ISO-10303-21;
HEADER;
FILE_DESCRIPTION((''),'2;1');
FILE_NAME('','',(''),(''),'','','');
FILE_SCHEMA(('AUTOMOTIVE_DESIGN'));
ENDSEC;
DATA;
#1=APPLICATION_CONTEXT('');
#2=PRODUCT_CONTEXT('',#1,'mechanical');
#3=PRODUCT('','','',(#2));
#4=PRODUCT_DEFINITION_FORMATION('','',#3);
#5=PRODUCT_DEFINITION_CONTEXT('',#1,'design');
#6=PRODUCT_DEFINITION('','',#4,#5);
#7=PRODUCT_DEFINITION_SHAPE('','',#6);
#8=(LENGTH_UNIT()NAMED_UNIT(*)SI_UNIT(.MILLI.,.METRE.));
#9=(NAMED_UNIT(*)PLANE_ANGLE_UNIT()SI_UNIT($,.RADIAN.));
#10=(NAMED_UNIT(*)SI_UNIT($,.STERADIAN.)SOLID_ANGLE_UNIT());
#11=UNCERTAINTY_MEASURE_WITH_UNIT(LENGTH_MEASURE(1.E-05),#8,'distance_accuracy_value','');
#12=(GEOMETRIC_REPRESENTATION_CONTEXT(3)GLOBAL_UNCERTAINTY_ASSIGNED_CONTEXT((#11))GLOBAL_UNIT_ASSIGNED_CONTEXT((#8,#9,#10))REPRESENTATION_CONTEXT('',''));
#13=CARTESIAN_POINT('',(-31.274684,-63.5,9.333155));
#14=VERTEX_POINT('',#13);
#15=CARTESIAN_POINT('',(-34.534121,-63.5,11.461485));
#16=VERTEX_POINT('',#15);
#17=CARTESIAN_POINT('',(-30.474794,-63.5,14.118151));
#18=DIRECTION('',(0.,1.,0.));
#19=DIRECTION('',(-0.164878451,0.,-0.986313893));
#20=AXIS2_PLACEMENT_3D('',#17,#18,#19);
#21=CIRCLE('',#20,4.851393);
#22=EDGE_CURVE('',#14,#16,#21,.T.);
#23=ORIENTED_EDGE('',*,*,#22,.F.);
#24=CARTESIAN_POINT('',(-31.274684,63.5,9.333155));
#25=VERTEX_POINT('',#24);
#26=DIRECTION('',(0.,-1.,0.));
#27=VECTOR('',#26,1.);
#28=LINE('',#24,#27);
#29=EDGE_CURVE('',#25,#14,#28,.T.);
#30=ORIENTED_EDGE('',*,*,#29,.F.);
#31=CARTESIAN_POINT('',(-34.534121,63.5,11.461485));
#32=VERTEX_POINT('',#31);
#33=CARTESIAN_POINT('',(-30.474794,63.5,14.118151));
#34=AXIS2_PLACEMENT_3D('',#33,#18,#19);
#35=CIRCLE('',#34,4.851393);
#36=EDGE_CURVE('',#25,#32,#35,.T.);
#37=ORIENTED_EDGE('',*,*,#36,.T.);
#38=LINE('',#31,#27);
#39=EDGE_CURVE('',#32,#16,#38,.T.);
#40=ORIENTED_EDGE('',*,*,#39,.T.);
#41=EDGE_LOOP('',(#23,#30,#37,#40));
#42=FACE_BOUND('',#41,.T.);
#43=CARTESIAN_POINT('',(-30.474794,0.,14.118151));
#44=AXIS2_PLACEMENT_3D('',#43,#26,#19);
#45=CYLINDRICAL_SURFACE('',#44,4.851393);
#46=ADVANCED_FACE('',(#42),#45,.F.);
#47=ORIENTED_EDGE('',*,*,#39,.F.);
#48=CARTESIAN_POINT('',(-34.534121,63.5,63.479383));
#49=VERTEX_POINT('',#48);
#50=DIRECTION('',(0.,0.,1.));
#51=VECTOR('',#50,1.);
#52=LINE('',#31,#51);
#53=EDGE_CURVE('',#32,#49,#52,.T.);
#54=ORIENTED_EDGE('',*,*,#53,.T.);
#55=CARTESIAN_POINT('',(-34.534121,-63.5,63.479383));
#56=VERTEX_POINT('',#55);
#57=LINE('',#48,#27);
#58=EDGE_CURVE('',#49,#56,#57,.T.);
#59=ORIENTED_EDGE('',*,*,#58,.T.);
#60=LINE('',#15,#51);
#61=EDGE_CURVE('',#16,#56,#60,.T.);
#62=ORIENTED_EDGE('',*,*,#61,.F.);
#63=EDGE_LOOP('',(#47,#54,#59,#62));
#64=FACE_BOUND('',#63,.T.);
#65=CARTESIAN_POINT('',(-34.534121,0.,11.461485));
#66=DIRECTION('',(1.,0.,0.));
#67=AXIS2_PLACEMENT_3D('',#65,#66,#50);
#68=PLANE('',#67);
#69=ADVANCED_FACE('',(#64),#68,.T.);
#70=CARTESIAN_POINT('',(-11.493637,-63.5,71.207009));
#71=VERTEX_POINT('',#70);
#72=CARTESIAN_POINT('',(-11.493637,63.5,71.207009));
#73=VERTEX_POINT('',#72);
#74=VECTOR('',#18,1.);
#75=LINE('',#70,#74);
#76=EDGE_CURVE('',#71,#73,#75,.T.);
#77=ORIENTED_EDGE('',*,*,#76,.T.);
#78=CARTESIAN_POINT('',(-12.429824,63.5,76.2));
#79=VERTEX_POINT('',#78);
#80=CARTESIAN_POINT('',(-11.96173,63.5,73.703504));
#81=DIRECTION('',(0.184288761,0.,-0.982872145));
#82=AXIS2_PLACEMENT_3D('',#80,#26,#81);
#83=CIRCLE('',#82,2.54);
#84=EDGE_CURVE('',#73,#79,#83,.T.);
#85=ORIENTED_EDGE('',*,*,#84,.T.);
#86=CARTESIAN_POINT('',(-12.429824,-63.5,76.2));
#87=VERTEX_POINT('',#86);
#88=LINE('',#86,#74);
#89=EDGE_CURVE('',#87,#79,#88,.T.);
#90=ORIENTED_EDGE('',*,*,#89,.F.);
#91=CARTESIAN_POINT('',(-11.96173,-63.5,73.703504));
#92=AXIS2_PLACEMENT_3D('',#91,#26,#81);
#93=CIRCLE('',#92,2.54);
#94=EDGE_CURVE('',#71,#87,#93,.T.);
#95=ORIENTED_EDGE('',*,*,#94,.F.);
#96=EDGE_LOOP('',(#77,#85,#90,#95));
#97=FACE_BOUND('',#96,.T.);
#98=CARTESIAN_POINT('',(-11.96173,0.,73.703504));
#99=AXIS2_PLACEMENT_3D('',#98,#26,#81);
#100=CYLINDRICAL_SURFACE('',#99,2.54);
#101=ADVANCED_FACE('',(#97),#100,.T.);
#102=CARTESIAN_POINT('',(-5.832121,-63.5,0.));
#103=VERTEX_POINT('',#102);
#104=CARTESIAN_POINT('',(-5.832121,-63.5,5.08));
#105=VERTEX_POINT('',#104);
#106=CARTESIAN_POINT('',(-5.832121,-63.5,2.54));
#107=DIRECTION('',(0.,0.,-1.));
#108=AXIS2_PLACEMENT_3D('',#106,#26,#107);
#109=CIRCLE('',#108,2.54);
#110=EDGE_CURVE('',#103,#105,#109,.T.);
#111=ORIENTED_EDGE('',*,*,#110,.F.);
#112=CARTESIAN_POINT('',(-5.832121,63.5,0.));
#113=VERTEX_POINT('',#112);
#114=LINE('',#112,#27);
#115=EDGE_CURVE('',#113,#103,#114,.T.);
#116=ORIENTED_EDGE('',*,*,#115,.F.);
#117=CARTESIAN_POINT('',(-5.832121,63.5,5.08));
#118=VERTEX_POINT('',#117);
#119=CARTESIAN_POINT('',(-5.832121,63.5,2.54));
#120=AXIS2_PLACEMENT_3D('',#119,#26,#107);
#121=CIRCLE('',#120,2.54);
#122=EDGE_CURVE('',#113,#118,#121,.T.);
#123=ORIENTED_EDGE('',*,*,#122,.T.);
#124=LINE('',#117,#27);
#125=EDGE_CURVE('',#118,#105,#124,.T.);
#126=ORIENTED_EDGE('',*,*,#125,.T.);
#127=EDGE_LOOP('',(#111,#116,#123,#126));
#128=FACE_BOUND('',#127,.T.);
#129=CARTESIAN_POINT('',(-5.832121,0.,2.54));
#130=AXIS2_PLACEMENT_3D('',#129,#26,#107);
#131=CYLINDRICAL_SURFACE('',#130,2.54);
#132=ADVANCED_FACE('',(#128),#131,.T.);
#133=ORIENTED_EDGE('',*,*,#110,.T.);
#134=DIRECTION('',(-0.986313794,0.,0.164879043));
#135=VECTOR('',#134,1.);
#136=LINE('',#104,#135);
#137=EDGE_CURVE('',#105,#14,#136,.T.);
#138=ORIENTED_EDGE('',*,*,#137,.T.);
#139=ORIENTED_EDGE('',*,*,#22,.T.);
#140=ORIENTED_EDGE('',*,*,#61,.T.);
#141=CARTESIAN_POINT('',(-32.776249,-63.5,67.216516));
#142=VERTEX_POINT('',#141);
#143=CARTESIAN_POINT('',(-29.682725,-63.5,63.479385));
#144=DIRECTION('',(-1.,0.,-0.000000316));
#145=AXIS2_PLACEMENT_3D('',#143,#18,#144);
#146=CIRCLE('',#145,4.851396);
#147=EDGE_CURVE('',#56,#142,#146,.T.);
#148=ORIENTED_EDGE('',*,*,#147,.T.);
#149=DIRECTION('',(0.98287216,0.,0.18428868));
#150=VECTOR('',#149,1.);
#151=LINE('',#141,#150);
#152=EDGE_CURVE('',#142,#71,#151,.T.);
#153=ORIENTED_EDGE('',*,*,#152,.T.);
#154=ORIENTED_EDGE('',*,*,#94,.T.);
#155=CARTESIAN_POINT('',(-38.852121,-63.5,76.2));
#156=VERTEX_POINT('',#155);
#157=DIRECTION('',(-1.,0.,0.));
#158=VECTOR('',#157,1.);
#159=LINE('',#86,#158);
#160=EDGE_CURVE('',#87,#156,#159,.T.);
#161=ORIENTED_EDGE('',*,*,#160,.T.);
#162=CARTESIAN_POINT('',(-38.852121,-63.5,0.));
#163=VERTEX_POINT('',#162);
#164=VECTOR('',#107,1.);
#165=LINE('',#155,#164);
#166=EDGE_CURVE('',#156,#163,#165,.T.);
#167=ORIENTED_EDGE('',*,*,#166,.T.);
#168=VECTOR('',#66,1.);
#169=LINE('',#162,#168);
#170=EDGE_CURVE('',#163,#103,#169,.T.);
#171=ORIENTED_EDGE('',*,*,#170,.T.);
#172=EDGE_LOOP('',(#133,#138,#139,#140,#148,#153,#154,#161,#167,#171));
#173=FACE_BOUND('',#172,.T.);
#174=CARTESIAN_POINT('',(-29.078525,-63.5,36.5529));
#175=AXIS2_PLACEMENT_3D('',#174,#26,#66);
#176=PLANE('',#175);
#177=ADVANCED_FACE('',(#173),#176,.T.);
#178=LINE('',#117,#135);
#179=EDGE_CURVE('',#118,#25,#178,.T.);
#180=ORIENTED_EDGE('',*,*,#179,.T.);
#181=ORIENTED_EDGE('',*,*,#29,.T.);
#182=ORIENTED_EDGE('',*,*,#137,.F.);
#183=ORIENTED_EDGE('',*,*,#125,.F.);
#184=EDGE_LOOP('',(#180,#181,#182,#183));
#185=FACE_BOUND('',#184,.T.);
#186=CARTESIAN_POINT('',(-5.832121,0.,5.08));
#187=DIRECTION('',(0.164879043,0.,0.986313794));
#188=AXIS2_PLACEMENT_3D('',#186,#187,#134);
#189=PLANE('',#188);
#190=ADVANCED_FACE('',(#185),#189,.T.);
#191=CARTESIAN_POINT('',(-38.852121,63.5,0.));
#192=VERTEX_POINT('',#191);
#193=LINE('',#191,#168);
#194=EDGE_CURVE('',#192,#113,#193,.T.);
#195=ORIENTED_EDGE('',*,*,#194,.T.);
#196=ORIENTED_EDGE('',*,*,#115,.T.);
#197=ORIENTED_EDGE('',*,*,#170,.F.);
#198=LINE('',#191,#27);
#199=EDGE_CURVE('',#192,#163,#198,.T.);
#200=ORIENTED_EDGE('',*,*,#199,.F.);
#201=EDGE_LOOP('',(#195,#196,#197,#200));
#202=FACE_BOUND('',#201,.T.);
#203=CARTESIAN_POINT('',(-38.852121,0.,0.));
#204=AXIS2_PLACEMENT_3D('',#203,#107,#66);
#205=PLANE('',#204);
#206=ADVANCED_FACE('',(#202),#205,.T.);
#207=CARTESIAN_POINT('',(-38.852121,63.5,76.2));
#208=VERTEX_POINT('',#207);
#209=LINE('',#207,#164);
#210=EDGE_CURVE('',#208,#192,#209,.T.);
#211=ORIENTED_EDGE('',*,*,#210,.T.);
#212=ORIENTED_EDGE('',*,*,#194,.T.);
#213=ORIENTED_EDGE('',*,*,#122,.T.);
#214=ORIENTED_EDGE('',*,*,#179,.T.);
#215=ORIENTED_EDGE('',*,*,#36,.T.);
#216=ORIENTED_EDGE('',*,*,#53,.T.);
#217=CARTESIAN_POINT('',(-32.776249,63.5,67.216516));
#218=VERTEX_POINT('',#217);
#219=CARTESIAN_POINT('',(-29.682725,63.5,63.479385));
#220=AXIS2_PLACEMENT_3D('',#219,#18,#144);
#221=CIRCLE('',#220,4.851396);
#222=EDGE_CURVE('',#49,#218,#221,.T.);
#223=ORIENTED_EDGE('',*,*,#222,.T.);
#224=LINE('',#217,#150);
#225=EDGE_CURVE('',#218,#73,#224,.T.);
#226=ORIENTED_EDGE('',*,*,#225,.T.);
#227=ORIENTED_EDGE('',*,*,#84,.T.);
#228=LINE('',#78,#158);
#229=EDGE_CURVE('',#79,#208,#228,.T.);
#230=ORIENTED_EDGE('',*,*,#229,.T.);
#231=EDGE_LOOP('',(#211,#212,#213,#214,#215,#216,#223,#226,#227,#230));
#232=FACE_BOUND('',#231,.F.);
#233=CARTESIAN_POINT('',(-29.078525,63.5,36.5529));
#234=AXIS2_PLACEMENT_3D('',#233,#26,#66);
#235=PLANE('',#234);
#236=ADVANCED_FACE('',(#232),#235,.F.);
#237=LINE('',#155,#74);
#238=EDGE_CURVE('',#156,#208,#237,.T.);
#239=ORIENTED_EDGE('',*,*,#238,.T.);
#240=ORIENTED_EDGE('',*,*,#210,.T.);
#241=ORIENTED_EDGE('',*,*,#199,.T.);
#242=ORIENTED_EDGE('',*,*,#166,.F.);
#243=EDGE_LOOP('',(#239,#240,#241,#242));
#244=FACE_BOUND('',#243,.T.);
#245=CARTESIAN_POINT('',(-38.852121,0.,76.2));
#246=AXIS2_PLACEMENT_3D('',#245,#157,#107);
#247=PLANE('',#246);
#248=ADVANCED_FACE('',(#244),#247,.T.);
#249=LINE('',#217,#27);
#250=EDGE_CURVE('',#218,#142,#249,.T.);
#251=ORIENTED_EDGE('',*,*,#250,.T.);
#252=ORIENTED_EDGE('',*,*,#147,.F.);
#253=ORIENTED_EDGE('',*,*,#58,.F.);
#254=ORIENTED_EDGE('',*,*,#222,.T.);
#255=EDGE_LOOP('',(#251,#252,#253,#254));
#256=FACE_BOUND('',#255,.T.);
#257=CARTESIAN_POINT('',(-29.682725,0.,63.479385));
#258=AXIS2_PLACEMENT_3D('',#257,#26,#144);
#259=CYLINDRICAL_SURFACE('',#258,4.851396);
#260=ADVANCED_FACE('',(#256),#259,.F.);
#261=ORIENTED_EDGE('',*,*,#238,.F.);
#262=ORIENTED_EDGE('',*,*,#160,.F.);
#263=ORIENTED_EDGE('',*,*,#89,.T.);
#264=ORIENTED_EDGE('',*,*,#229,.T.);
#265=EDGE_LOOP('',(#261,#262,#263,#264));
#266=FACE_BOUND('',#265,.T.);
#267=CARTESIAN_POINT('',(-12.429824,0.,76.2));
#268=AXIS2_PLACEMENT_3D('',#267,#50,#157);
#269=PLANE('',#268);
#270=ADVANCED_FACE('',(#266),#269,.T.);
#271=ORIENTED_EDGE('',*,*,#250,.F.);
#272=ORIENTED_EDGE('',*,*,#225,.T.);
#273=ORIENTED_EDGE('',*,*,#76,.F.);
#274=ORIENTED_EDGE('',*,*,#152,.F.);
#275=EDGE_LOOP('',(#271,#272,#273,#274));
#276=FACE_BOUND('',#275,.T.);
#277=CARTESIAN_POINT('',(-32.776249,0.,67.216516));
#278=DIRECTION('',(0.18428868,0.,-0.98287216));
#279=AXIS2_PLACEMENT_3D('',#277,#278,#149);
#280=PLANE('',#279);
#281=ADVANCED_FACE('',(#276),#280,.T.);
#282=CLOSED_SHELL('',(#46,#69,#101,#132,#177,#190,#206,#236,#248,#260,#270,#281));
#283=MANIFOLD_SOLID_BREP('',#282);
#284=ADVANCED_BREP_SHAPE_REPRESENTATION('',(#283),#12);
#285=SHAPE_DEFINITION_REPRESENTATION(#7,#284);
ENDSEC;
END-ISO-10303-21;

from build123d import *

# Parameters (mm, degrees)
F1_DEPTH = 63.5


with BuildPart() as f1:
    # F0 (on Front) → F1 (new body, symmetric)
    with BuildSketch(Plane.XZ):
        with BuildLine():
            Line((-38.852121, 76.2), (-38.852121, 0))
            Line((-38.852121, 0), (-5.832121, 0))
            ThreePointArc((-5.832121, 0), (-3.292121, 2.54), (-5.832121, 5.08))
            Line((-5.832121, 5.08), (-31.274684, 9.333155))
            ThreePointArc((-31.274684, 9.333155), (-33.127235, 10.056062), (-34.534121, 11.461485))
            Line((-34.534121, 11.461485), (-34.534121, 63.479383))
            ThreePointArc((-34.534121, 63.479383), (-34.072711, 65.544346), (-32.776249, 67.216516))
            Line((-32.776249, 67.216516), (-11.493637, 71.207009))
            ThreePointArc((-11.493637, 71.207009), (-9.465235, 74.171598), (-12.429824, 76.2))
            Line((-12.429824, 76.2), (-38.852121, 76.2))
        make_face()
    extrude(amount=F1_DEPTH, both=True)


solid = f1.part
